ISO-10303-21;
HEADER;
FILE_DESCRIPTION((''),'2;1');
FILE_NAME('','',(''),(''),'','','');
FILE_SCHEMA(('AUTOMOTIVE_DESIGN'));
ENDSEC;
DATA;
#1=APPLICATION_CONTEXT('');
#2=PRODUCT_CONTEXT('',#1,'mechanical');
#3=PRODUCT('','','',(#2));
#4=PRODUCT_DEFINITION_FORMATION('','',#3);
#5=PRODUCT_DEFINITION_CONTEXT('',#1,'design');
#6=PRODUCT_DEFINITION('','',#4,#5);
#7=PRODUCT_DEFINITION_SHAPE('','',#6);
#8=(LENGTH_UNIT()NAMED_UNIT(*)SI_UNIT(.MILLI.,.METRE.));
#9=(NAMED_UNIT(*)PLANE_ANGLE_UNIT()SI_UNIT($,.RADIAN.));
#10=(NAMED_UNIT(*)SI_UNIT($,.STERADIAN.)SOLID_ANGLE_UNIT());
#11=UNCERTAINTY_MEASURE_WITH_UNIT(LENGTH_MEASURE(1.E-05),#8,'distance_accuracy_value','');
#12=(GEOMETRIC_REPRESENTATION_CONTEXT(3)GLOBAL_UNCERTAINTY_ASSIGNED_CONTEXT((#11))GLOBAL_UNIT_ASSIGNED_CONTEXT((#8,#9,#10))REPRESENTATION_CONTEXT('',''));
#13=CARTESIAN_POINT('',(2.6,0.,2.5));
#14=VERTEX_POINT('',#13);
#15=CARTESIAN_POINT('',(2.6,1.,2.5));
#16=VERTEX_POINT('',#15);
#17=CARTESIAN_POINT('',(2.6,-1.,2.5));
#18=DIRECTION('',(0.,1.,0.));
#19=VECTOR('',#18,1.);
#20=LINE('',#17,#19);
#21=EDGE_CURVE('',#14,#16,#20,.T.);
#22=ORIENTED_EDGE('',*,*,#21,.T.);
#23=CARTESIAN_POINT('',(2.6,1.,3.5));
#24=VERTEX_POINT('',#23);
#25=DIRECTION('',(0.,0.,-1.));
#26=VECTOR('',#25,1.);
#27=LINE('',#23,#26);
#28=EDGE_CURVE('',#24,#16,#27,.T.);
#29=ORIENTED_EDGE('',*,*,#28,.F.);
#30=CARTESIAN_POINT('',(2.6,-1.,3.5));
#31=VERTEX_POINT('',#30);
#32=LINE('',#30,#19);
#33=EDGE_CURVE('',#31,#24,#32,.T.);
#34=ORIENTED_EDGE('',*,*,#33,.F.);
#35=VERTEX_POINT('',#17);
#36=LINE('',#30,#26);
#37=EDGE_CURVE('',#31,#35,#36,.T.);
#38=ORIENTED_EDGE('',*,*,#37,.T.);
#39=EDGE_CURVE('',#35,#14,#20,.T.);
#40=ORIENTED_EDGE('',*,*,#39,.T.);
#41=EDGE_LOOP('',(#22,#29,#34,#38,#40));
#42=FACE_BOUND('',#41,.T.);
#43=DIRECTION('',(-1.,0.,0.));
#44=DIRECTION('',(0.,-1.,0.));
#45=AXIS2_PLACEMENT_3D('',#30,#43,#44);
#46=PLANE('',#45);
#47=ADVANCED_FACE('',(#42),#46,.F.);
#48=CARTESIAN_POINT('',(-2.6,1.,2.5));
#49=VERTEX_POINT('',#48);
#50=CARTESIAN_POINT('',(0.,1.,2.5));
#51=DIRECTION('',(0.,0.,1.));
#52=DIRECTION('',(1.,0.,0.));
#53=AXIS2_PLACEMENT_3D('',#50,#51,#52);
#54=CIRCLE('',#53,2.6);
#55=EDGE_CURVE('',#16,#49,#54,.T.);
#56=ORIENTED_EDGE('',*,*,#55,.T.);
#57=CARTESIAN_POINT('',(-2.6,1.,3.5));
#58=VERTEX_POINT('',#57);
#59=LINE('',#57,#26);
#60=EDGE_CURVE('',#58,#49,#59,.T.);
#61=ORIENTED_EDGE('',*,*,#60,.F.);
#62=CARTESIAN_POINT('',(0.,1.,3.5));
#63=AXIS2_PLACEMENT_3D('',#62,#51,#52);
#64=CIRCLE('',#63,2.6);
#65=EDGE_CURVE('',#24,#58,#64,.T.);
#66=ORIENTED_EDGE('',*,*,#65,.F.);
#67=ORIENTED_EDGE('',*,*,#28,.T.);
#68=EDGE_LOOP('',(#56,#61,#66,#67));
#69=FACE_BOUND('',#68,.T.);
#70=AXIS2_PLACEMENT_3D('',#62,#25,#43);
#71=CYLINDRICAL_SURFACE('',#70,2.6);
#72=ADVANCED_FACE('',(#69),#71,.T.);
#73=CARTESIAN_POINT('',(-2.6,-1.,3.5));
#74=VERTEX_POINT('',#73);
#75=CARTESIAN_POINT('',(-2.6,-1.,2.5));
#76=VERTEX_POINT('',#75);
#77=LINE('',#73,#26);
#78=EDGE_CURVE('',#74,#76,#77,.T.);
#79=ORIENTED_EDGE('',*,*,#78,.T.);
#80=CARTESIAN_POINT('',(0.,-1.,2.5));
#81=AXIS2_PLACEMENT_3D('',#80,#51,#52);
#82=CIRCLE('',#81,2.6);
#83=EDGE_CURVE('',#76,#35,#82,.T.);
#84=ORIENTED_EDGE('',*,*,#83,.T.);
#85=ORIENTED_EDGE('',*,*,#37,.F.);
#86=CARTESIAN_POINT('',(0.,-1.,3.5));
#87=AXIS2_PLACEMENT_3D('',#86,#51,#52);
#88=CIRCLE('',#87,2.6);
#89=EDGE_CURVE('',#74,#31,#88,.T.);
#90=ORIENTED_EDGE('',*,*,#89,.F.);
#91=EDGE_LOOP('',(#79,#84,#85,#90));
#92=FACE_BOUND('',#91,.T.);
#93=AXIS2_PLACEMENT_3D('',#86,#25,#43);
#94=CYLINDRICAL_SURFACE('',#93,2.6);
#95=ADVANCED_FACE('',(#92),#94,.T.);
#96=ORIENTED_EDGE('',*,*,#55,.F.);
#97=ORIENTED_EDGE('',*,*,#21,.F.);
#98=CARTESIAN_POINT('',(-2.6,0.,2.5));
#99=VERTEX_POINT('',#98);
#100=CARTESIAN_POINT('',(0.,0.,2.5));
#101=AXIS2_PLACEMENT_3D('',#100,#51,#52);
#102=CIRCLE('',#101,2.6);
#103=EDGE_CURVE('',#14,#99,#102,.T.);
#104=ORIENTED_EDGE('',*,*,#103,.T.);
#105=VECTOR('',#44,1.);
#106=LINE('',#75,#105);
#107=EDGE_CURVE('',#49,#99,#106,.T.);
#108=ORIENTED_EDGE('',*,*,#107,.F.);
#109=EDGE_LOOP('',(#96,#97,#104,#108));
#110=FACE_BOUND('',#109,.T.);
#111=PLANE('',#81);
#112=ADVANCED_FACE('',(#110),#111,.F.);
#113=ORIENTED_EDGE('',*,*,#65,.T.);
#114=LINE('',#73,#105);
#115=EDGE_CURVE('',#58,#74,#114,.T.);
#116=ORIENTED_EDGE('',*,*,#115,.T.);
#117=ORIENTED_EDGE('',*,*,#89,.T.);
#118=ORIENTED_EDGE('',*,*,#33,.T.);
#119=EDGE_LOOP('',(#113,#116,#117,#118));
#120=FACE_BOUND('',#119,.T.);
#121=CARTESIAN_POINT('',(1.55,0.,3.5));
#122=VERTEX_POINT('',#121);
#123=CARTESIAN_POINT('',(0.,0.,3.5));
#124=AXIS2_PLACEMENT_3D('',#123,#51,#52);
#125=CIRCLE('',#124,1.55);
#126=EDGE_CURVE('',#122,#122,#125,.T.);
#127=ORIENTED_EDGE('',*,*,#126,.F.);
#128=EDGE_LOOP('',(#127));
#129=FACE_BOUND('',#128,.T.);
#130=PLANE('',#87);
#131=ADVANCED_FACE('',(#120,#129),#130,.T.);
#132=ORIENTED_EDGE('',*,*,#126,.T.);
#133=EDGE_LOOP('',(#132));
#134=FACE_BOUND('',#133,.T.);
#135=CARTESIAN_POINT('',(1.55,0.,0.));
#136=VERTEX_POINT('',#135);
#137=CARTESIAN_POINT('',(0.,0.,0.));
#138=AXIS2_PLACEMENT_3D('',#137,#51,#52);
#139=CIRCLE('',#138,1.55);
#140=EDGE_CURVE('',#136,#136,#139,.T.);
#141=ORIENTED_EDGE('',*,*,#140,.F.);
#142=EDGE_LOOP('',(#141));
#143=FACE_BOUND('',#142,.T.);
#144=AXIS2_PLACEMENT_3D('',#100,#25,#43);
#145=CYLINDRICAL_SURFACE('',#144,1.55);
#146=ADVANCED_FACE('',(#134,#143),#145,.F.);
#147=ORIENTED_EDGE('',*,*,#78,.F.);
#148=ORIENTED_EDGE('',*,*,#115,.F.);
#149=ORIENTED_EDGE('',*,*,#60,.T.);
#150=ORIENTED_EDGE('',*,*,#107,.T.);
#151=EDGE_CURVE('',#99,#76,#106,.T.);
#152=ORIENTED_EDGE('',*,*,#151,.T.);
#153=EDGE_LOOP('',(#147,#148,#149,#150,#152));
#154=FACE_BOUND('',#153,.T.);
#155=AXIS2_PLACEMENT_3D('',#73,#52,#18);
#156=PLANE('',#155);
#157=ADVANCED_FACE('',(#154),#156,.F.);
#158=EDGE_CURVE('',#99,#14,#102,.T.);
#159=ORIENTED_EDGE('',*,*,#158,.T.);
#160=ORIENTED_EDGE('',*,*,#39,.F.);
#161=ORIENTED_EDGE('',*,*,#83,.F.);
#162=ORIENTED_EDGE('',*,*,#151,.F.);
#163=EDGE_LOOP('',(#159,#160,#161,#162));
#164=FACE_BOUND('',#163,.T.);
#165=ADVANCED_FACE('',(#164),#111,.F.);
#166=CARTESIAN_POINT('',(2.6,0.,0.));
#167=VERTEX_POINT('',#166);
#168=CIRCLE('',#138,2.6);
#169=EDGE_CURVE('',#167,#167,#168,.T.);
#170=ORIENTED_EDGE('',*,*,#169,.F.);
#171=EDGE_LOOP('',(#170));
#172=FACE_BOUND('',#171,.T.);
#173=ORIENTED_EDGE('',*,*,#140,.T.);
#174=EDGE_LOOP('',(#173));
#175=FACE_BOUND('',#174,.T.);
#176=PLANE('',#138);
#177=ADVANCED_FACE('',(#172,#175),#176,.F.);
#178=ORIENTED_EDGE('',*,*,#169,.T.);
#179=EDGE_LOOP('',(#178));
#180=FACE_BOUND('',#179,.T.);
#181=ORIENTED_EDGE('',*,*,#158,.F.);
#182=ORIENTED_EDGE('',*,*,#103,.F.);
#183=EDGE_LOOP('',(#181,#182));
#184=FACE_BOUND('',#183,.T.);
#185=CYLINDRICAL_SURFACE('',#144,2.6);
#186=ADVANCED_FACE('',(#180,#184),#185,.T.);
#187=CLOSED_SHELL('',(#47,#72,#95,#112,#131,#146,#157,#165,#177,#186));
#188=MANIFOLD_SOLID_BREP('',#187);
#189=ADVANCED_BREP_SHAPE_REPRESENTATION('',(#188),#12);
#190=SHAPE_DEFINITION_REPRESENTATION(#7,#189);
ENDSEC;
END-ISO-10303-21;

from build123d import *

# Parameters (mm, degrees)
SZKIC1_R                    = 2.6
SZKIC1_R_2                  = 1.55
DODANIE_WYCI_GNI_CIE1_DEPTH = 2.5
SZKIC2_R                    = 1.55
DODANIE_WYCI_GNI_CIE2_DEPTH = 1


with BuildPart() as part:
    # Szkic1 → Dodanie-wyciągnięcie1 (new body)
    with BuildSketch(Plane.XY):
        Circle(SZKIC1_R)
        Circle(SZKIC1_R_2, mode=Mode.SUBTRACT)
    extrude(amount=DODANIE_WYCI_GNI_CIE1_DEPTH)

    # Szkic2 → Dodanie-wyciągnięcie2 (add)
    with BuildSketch(Plane.XY.offset(2.5)):
        with BuildLine():
            Line((-2.6, -1), (-2.6, 1))
            ThreePointArc((-2.6, 1), (0, 3.6), (2.6, 1))
            Line((2.6, 1), (2.6, -1))
            ThreePointArc((2.6, -1), (0, -3.6), (-2.6, -1))
        make_face()
        Circle(SZKIC2_R, mode=Mode.SUBTRACT)
    extrude(amount=DODANIE_WYCI_GNI_CIE2_DEPTH)


solid = part.part
